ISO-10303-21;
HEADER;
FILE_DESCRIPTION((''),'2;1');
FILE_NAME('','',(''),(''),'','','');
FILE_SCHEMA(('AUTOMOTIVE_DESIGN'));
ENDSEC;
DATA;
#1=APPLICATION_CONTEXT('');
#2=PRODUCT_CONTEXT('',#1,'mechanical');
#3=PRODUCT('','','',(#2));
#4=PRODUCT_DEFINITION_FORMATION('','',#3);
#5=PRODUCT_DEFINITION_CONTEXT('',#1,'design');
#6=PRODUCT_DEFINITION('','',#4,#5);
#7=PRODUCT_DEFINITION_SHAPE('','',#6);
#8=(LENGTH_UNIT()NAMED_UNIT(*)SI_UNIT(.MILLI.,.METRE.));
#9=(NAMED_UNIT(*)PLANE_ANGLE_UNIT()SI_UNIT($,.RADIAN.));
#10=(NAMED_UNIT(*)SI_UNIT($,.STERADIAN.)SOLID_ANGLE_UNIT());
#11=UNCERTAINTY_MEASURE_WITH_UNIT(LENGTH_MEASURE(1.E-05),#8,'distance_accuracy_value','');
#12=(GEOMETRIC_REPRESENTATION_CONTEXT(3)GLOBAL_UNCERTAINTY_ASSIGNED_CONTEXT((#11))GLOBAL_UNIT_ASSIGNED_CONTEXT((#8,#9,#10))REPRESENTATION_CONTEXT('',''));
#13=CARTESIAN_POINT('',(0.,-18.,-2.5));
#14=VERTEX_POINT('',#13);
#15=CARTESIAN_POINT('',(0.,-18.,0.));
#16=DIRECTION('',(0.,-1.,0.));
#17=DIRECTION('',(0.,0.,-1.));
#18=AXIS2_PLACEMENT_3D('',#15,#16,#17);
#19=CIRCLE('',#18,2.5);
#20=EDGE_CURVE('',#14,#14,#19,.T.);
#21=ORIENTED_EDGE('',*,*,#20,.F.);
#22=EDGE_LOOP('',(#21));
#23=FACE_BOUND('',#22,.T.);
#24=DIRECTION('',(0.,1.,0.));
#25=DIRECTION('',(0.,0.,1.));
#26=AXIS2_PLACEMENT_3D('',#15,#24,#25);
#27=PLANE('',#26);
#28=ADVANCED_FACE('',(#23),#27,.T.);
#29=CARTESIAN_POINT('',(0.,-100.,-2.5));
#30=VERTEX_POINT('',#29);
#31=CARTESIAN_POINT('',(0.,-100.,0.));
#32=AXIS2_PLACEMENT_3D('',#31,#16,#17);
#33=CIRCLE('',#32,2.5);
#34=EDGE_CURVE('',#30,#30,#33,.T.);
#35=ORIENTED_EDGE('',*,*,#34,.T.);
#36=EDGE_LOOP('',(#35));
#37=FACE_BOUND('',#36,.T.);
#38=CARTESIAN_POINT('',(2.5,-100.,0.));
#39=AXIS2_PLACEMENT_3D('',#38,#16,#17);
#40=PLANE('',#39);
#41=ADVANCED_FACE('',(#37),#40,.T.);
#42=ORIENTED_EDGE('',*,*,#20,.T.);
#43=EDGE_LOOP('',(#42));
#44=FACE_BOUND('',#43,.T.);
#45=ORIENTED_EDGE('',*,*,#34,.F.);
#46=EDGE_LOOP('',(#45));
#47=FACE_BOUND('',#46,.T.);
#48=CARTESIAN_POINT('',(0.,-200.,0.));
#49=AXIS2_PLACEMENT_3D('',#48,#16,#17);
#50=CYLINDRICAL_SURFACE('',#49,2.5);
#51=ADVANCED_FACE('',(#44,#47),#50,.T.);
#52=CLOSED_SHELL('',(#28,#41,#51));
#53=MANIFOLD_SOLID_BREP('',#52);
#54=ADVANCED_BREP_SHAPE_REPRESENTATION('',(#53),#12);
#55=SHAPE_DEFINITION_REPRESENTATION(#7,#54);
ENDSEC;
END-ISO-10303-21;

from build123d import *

# Parameters (mm, degrees)
SKETCH1_W = 2.5
SKETCH1_H = 82


with BuildPart() as part:
    # Sketch1 → Revolve1 (revolve)
    with BuildSketch(Plane.XY, mode=Mode.PRIVATE) as revolve1_sk:
        with Locations((1.25, -59)):
            Rectangle(SKETCH1_W, SKETCH1_H)
    revolve(revolve1_sk.sketch.rotate(Axis((0, -200, 0), (0, 1, 0)), 90), axis=Axis((0, -200, 0), (0, 1, 0)))


solid = part.part
